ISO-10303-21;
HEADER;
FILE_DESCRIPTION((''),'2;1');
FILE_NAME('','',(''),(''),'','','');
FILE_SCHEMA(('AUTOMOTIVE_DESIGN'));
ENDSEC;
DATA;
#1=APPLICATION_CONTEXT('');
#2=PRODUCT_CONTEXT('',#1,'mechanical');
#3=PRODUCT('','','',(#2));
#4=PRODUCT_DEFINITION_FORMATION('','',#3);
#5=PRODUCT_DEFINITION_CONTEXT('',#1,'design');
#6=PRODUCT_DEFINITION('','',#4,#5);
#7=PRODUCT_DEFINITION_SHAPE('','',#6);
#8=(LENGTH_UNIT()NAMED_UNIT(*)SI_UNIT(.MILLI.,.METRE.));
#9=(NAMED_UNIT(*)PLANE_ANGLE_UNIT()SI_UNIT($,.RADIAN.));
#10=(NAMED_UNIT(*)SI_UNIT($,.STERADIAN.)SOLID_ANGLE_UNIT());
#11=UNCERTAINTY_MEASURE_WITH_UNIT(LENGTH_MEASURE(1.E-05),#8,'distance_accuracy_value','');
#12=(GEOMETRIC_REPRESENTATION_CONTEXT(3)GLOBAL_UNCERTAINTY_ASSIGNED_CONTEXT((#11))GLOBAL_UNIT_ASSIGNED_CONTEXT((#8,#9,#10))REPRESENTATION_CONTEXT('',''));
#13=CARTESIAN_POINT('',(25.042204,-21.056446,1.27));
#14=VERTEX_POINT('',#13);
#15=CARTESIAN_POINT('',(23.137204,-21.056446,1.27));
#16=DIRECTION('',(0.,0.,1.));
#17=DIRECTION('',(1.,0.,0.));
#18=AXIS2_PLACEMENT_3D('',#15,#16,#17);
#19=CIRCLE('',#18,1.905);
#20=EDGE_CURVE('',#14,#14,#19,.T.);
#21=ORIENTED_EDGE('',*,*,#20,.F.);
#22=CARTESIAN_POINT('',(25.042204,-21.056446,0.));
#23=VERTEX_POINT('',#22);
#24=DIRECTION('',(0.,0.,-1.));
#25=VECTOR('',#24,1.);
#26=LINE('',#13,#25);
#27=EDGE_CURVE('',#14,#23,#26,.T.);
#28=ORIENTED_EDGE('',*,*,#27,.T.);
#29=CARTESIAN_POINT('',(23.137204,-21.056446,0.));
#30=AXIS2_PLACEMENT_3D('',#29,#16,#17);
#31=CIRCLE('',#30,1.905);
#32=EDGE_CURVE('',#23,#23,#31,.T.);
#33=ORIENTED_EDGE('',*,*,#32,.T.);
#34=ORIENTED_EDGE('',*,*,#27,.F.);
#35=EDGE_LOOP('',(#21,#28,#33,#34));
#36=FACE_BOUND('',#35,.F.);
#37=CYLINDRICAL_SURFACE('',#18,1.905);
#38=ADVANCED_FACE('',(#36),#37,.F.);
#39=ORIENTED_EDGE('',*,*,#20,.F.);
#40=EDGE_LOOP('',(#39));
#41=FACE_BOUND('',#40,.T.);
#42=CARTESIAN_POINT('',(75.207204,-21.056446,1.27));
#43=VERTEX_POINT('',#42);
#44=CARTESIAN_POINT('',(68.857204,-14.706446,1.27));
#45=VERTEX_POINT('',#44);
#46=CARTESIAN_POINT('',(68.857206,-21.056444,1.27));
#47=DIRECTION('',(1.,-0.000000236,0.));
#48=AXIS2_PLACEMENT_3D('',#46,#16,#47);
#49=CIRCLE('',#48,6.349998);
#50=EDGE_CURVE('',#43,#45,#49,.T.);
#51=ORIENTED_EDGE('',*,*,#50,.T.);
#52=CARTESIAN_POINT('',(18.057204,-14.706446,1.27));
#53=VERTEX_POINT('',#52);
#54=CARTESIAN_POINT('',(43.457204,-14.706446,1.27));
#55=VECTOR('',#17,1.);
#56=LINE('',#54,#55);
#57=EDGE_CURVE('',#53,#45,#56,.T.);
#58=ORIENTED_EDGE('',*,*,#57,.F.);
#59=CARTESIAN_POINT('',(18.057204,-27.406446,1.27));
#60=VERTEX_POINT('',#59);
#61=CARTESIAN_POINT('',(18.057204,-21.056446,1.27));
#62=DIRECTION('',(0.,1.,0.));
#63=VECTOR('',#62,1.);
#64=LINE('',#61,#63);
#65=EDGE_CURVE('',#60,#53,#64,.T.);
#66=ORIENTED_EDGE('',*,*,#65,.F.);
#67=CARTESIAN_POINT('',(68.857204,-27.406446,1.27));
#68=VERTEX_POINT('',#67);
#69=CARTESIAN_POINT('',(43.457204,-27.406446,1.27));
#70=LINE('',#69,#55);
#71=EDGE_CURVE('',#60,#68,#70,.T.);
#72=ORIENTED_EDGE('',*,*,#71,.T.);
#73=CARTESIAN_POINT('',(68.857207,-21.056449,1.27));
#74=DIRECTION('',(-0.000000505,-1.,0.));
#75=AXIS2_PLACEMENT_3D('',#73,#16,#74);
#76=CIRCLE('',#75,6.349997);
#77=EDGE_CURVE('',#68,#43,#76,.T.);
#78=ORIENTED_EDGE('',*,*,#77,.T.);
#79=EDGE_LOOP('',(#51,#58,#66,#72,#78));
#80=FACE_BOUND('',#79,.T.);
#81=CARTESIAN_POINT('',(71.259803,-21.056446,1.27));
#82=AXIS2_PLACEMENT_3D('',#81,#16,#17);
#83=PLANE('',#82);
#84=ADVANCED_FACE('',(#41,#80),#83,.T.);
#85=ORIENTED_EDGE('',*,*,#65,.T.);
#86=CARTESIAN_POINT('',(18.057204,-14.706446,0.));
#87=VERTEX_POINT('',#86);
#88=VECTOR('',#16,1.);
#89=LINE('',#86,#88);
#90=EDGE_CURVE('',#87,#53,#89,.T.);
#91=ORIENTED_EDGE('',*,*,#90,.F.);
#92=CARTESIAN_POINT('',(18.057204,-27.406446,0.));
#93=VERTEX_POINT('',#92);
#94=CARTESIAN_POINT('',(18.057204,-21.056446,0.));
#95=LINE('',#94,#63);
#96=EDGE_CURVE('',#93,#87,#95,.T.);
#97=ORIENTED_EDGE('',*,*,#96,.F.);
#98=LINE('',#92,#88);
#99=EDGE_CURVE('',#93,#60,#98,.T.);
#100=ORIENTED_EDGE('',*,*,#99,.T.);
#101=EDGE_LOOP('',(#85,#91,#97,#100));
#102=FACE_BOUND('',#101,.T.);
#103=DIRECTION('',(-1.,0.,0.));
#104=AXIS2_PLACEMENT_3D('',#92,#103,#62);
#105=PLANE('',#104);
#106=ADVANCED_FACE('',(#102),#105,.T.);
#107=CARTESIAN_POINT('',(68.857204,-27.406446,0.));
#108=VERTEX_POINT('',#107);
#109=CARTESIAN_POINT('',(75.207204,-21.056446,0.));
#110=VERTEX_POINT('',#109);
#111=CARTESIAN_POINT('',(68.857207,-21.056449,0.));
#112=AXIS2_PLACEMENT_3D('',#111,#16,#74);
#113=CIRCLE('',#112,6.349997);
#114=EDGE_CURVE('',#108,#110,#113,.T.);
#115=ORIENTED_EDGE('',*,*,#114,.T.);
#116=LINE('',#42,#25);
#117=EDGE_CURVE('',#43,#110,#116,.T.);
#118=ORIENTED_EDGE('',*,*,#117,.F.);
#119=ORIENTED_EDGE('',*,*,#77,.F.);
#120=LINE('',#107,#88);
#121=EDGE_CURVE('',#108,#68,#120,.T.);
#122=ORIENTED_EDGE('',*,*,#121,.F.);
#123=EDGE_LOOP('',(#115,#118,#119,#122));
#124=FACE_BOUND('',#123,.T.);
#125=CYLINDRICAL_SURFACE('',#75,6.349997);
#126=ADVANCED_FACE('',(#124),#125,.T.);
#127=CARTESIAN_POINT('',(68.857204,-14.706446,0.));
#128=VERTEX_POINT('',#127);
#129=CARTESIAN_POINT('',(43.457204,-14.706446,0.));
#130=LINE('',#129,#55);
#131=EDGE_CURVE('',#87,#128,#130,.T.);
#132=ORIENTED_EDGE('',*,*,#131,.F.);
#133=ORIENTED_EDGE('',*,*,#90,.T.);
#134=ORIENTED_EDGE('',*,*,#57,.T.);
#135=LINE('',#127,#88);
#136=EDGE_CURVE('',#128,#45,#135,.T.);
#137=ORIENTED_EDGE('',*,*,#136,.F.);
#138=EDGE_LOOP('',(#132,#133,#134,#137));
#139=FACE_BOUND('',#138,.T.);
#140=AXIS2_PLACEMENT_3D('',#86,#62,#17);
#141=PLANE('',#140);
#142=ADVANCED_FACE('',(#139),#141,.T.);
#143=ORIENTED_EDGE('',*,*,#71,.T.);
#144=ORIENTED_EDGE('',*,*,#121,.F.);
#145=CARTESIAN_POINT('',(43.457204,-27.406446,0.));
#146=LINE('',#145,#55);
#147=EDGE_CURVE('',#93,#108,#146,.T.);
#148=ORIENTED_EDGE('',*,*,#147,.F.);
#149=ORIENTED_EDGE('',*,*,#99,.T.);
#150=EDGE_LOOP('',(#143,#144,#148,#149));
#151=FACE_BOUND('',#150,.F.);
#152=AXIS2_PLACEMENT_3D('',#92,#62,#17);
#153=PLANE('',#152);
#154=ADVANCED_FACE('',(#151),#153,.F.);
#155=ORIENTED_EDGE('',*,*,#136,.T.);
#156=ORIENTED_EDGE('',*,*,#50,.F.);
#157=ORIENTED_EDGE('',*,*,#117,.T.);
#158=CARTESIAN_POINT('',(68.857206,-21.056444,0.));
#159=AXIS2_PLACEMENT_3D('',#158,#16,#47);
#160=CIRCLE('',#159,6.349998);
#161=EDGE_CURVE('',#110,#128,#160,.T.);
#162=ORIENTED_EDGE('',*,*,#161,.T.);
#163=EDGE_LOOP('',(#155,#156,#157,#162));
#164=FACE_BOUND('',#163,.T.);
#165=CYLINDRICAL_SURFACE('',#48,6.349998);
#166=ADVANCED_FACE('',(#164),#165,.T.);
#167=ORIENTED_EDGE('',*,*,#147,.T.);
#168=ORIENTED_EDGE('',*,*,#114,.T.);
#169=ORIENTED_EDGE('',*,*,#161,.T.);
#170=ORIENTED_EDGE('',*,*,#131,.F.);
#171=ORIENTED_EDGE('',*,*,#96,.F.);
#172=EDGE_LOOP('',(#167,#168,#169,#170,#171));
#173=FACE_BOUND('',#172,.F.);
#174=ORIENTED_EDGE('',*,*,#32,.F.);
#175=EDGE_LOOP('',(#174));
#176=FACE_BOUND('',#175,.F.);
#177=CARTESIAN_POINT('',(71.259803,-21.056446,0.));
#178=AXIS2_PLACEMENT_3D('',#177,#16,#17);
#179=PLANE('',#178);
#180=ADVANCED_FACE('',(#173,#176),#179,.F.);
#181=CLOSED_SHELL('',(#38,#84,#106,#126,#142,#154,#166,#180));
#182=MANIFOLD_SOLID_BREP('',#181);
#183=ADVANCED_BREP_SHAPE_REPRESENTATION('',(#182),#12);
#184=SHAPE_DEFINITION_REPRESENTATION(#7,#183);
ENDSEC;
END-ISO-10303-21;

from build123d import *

# Parameters (mm, degrees)
F0_W     = 50.8
F0_H     = 12.7
F1_DEPTH = 1.27
F2_R     = 1.905
F3_DEPTH = 25.4
F5_DEPTH = 1.27


with BuildPart() as f1:
    # F0 (on Top) → F1 (new body)
    with BuildSketch(Plane.XY):
        with Locations((43.457204, -21.056446)):
            Rectangle(F0_W, F0_H)
    extrude(amount=F1_DEPTH)

    # F2 (on face) → F3 (cut)
    with BuildSketch(Plane.XY.offset(1.27)):
        with Locations((23.137204, -21.056446)):
            Circle(F2_R)
    extrude(amount=-F3_DEPTH, mode=Mode.SUBTRACT)

    # F4 (on face) → F5 (join)
    with BuildSketch(Plane.XY.offset(1.27)):
        with BuildLine():
            ThreePointArc((68.857204, -27.406446), (73.347333, -25.546575), (75.207204, -21.056446))
            ThreePointArc((75.207204, -21.056446), (73.347333, -16.566318), (68.857204, -14.706446))
            Line((68.857204, -14.706446), (68.857204, -27.406446))
        make_face()
    extrude(amount=-F5_DEPTH)


solid = f1.part
